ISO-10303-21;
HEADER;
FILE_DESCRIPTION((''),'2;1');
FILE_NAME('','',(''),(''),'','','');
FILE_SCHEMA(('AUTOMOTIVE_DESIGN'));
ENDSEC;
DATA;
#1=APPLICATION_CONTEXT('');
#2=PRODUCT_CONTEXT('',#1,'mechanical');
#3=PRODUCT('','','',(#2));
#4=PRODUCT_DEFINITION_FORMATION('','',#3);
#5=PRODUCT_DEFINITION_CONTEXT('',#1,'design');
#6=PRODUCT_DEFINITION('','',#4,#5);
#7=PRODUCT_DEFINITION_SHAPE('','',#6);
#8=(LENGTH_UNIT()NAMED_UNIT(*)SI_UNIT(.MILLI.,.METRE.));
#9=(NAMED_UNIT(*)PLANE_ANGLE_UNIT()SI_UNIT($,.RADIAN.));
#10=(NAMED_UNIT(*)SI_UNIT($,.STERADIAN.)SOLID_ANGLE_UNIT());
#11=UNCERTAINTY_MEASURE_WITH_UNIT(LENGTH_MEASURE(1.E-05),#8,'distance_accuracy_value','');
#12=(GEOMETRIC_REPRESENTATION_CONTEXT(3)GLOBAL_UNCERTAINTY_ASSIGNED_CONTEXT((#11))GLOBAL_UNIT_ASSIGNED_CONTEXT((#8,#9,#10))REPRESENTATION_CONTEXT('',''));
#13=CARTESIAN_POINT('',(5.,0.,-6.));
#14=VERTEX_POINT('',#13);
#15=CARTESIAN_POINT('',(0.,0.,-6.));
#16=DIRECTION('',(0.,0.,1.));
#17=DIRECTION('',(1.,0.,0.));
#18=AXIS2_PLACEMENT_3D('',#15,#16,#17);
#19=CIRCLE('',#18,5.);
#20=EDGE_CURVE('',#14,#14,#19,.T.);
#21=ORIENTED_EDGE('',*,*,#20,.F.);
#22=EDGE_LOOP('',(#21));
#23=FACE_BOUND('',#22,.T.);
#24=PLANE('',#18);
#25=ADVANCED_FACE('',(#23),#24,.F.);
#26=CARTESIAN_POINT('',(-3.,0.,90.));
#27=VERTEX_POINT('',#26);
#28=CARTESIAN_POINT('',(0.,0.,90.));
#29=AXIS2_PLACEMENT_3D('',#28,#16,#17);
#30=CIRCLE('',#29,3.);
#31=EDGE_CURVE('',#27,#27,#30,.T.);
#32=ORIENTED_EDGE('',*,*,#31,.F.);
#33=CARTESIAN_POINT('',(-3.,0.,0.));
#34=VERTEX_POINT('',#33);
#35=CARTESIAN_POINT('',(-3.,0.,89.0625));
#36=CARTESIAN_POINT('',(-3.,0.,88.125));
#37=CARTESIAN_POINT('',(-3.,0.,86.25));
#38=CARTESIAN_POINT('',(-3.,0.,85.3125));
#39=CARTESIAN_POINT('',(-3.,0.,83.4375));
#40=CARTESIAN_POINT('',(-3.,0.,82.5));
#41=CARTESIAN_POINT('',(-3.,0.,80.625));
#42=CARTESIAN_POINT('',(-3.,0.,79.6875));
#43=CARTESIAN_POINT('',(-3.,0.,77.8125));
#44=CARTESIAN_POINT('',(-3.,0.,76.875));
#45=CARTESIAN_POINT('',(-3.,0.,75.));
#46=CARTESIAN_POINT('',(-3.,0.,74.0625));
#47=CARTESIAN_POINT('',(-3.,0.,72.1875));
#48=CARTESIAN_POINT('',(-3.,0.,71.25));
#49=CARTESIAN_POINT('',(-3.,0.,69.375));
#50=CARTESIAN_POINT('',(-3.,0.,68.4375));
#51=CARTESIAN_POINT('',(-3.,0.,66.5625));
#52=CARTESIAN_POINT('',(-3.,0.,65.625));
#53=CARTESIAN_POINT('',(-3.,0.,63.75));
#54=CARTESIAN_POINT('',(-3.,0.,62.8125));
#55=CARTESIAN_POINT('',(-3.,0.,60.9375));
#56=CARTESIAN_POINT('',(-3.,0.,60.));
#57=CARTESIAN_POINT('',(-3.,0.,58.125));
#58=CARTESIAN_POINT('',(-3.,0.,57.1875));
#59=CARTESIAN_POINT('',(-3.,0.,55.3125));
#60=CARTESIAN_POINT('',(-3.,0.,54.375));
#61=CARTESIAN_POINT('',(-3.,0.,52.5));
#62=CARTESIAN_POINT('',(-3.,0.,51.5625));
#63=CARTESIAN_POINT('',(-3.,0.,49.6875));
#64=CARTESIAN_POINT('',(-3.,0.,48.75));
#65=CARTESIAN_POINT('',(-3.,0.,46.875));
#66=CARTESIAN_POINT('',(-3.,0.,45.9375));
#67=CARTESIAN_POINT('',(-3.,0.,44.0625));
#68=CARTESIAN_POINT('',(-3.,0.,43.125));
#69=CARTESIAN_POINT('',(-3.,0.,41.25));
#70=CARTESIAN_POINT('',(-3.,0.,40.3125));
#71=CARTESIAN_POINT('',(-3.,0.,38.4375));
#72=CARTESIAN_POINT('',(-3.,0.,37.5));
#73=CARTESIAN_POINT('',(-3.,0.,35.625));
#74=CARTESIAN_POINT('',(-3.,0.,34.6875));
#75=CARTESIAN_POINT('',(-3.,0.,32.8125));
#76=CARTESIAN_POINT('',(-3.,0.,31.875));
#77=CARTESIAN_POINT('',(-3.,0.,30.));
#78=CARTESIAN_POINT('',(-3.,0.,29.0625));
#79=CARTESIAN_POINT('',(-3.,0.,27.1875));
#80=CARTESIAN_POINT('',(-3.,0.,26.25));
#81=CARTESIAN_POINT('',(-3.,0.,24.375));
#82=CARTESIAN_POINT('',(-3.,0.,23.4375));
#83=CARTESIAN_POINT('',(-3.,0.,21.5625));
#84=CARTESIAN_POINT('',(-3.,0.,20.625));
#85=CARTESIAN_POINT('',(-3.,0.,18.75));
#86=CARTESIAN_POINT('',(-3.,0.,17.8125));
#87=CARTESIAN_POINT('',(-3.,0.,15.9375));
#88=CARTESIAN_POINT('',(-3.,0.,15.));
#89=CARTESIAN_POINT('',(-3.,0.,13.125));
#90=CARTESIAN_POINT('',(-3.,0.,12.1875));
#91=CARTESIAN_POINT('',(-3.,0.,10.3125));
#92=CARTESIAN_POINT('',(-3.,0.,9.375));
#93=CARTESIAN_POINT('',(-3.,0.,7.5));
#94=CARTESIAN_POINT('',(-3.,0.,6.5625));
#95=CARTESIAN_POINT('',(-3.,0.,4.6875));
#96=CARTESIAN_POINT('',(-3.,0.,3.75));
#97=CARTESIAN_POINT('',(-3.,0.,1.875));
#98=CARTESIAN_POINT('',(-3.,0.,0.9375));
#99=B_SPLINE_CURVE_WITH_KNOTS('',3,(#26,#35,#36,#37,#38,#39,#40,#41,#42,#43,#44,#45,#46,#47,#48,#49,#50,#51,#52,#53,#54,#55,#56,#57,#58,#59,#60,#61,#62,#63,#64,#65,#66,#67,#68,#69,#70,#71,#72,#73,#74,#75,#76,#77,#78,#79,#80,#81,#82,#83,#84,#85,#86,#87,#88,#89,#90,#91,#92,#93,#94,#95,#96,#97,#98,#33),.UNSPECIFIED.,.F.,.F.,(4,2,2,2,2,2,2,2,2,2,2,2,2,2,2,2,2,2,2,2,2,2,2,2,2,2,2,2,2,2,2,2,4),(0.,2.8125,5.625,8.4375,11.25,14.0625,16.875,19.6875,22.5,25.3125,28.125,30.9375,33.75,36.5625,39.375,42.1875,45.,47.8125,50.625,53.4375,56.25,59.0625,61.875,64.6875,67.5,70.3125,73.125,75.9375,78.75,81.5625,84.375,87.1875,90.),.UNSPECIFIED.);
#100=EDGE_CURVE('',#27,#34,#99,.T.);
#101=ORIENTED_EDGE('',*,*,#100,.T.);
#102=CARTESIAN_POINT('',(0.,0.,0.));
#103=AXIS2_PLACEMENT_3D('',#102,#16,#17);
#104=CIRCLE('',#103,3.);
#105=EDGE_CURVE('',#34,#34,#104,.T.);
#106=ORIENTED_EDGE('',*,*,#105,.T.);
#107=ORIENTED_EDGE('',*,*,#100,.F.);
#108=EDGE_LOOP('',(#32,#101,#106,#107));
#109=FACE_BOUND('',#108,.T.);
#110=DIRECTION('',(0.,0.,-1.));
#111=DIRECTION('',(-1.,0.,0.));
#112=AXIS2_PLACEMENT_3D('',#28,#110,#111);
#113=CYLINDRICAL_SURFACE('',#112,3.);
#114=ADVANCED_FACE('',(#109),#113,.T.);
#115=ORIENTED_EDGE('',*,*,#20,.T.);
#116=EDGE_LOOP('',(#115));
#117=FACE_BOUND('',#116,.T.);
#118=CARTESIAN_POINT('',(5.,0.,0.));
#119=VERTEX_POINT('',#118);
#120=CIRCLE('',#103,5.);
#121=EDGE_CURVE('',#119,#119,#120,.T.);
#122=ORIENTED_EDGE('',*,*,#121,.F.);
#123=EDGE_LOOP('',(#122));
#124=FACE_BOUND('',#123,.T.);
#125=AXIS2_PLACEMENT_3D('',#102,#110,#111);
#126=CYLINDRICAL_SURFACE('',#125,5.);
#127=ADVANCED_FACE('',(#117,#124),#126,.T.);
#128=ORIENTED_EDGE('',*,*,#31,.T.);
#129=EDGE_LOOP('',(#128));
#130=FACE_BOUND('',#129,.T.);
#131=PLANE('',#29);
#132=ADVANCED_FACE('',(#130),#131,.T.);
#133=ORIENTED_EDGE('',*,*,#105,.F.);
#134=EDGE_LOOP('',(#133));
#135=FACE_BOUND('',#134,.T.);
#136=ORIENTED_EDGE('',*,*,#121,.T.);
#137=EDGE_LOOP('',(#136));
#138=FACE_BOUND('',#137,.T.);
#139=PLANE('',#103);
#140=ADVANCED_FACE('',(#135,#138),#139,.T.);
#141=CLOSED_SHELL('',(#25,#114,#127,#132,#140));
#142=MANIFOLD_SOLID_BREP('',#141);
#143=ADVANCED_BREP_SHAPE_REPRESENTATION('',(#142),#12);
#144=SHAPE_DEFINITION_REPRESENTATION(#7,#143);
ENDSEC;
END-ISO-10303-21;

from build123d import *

# Parameters (mm, degrees)
HEAD_ENVELOPE_START         = -6
SKETCH1_R                   = 5
HEAD_ENVELOPE_DEPTH         = 6
SKETCH2_R                   = 3
THREAD_MAJOR_ENVELOPE_DEPTH = 90


with BuildPart() as part:
    # Sketch1 → Head_Envelope (new body)
    with BuildSketch(Plane.XY.offset(HEAD_ENVELOPE_START)):
        Circle(SKETCH1_R)
    extrude(amount=HEAD_ENVELOPE_DEPTH)

    # Sketch2 → Thread_Major_Envelope (add)
    with BuildSketch(Plane.XY):
        with Locations(Location((0, 0, 0), (0, 0, 180))):
            Circle(SKETCH2_R)
    extrude(amount=THREAD_MAJOR_ENVELOPE_DEPTH)


solid = part.part
